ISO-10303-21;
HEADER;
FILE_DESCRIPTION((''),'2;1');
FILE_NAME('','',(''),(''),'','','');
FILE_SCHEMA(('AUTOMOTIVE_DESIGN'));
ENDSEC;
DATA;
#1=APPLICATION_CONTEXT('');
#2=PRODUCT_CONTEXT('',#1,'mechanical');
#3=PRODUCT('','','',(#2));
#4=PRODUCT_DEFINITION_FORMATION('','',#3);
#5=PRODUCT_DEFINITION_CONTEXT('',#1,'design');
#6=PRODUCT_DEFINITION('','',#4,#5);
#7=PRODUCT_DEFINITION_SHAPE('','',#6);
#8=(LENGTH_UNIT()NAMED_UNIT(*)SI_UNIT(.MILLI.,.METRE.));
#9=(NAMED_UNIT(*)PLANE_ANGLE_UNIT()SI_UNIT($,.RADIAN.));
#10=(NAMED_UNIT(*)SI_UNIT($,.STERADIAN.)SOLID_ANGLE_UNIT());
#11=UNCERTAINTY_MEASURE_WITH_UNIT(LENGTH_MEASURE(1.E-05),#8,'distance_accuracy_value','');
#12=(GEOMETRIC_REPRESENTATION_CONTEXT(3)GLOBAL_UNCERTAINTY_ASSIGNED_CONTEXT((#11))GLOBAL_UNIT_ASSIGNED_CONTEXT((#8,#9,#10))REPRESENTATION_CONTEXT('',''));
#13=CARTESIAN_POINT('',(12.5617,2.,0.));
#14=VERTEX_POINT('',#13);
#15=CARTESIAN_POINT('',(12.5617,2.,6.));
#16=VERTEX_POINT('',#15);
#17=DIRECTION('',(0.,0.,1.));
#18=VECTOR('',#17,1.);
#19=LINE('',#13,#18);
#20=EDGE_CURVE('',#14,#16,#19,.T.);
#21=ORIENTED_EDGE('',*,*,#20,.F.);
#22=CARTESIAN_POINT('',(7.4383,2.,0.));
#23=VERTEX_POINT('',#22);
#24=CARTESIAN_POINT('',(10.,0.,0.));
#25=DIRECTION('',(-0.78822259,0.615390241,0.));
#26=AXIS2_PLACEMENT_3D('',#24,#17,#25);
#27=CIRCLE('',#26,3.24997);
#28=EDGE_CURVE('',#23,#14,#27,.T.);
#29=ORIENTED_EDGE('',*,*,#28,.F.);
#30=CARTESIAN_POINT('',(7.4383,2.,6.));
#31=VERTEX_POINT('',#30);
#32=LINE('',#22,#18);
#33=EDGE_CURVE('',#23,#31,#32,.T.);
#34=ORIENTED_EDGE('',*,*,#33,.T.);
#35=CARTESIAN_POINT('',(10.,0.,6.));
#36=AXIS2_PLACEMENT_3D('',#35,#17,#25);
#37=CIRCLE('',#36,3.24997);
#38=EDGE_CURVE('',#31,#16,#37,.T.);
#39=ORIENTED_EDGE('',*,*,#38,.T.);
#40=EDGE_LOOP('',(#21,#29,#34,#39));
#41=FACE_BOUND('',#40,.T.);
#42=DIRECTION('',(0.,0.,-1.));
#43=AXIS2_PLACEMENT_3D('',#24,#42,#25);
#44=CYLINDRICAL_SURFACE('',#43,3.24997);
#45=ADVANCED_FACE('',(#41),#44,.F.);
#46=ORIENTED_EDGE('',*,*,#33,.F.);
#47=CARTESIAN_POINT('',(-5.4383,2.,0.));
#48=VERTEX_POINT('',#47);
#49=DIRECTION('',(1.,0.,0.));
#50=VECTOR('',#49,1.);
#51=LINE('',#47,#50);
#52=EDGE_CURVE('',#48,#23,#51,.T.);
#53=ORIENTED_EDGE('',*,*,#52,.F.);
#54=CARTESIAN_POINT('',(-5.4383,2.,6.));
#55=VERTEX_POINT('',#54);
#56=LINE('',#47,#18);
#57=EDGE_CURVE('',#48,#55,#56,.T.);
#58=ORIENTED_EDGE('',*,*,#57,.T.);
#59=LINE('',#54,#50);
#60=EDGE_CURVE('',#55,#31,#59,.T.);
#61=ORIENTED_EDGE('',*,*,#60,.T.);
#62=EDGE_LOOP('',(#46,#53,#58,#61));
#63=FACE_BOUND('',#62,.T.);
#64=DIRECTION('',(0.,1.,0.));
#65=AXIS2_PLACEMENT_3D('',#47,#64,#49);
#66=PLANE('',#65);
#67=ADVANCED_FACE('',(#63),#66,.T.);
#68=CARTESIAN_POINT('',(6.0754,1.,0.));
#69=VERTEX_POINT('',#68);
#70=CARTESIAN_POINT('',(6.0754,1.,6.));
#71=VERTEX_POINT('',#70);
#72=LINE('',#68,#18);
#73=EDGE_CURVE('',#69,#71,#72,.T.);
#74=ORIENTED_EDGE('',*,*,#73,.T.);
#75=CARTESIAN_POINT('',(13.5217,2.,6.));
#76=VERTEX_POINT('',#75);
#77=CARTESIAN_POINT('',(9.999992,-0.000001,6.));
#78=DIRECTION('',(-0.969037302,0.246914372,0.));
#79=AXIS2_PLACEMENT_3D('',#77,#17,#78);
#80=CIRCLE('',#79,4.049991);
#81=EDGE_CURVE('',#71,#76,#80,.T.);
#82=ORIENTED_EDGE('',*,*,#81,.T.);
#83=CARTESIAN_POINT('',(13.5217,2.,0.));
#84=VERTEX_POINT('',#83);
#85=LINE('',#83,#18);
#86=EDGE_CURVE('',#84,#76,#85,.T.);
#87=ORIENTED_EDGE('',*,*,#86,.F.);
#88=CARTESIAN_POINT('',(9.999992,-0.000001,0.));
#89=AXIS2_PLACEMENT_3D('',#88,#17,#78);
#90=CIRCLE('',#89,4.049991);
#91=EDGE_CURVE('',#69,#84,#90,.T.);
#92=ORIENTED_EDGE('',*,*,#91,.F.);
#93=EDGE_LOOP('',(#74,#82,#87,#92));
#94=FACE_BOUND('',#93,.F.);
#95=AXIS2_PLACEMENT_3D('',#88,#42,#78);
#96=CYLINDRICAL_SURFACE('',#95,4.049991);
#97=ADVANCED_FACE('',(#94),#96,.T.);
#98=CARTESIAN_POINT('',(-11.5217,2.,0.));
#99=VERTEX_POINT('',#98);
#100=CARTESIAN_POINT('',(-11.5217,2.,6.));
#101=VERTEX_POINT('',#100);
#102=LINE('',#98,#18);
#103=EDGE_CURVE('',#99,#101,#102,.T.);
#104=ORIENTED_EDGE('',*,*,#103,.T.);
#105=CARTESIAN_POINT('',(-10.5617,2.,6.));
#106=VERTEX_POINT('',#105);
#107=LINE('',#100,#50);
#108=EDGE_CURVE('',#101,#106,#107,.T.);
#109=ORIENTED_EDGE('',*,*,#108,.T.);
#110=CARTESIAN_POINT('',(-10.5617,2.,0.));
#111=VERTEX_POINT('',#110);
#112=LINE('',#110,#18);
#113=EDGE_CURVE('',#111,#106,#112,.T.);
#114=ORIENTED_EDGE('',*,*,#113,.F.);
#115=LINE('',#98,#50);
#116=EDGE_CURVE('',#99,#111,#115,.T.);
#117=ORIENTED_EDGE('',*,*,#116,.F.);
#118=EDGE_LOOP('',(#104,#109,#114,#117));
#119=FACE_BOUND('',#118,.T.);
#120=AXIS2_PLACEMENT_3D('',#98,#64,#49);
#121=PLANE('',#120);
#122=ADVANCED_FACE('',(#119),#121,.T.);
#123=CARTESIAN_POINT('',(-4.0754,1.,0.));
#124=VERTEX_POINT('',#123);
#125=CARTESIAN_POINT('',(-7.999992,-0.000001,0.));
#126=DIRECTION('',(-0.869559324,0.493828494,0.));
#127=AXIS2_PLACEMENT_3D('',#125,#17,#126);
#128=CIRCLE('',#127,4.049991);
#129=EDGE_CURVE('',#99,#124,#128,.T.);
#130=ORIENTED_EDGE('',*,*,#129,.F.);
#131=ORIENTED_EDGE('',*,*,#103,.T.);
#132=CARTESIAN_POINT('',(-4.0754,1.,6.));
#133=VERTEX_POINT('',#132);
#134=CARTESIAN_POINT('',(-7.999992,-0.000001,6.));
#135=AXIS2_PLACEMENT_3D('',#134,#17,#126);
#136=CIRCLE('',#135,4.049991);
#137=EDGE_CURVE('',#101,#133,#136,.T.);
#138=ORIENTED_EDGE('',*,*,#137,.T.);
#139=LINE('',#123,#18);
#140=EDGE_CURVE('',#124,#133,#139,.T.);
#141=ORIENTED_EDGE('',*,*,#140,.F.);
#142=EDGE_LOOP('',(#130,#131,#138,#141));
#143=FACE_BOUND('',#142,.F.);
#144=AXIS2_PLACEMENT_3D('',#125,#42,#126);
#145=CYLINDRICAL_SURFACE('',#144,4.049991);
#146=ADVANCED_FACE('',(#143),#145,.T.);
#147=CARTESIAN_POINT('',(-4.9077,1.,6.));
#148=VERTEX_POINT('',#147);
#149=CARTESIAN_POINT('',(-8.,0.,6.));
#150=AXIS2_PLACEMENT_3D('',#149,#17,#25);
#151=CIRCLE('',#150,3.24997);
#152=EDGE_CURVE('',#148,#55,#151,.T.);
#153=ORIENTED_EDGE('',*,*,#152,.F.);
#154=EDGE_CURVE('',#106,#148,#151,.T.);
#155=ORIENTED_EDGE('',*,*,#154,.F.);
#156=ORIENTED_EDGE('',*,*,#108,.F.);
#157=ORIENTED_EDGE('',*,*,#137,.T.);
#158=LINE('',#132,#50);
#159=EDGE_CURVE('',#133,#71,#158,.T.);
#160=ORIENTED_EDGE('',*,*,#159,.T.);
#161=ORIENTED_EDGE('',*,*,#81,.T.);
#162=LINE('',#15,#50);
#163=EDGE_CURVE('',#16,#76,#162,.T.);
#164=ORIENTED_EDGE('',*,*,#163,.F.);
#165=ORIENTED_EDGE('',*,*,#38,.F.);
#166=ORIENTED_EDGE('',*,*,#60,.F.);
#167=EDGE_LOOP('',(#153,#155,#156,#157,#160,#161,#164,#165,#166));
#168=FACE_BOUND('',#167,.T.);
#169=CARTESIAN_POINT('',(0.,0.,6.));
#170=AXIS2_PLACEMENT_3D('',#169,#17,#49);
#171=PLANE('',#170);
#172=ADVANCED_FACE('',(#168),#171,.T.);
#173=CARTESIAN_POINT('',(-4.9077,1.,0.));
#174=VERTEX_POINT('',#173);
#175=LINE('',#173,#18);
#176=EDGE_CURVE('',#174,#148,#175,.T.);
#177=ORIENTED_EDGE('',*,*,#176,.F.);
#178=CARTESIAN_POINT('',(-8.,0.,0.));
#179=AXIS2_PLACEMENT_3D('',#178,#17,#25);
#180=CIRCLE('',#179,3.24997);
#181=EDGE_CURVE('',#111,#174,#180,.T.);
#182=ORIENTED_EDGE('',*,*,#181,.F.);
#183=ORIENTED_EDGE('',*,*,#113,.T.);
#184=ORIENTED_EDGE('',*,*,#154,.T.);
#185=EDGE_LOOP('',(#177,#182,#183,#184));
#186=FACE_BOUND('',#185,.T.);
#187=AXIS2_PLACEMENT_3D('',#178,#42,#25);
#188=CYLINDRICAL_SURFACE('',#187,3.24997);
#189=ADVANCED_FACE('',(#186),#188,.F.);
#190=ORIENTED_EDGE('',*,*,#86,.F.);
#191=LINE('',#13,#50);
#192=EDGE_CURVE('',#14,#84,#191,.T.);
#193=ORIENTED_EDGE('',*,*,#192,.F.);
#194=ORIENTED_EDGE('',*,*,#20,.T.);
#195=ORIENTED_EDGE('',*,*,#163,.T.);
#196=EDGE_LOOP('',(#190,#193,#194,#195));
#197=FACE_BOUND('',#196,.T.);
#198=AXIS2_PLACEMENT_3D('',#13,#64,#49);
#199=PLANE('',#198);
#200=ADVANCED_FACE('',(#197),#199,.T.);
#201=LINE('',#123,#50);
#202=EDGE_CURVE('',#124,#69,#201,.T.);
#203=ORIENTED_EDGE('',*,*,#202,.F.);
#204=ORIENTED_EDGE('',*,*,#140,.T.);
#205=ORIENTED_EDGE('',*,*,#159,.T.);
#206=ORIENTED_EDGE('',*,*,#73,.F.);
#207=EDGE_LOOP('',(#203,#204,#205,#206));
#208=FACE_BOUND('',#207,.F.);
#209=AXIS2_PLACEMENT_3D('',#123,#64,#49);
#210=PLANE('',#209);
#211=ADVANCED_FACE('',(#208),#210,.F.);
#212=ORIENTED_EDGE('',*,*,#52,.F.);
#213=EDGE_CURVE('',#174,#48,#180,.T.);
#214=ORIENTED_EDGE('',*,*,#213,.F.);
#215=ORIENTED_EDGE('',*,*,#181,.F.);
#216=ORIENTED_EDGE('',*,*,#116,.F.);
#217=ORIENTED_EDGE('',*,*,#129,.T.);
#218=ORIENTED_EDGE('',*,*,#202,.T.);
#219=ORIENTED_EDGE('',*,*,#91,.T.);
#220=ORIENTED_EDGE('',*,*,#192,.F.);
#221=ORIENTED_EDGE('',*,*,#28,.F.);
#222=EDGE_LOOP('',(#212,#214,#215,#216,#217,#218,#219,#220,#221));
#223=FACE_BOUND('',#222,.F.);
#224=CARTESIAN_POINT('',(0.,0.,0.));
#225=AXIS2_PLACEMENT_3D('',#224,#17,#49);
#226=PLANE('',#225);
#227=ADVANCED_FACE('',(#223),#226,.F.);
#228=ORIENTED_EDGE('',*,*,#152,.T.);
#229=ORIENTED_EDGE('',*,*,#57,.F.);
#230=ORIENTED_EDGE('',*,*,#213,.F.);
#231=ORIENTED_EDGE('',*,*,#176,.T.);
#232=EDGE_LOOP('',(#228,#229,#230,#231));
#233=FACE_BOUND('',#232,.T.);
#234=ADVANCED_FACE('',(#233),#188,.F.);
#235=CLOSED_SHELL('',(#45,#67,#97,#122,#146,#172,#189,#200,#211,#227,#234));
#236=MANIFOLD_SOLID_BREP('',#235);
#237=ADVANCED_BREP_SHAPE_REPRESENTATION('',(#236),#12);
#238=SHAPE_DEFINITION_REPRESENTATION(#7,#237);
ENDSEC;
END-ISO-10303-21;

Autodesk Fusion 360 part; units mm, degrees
sketch "スケッチ1" plane through (0, 0, 0) normal (0, 0, 1) x (1, 0, 0)
  arc A0 (-11.5217, 2) -> (-4.0754, 1) centre (-8, 0) ccw
  arc A1 (-10.5617, 2) -> (-5.4383, 2) centre (-8, 0) ccw
  line L0 (-11.5217, 2) -> (-10.5617, 2)
  line L1 (-6, 1) -> (-4.9077, 1)
  line L2 (-4.0754, 1) -> (6.0754, 1)
  arc A2 (6.0754, 1) -> (13.5217, 2) centre (10, 0) ccw
  arc A3 (7.4383, 2) -> (12.5617, 2) centre (10, 0) ccw
  line L3 (-5.4383, 2) -> (7.4383, 2)
  line L4 (12.5617, 2) -> (13.5217, 2)
  dimension "d7" = 6.5
  dimension "d8" = 6.5
extrude "押し出し3" add sketch "スケッチ1" along normal blind 6
extrude "押し出し2" [suppressed]
